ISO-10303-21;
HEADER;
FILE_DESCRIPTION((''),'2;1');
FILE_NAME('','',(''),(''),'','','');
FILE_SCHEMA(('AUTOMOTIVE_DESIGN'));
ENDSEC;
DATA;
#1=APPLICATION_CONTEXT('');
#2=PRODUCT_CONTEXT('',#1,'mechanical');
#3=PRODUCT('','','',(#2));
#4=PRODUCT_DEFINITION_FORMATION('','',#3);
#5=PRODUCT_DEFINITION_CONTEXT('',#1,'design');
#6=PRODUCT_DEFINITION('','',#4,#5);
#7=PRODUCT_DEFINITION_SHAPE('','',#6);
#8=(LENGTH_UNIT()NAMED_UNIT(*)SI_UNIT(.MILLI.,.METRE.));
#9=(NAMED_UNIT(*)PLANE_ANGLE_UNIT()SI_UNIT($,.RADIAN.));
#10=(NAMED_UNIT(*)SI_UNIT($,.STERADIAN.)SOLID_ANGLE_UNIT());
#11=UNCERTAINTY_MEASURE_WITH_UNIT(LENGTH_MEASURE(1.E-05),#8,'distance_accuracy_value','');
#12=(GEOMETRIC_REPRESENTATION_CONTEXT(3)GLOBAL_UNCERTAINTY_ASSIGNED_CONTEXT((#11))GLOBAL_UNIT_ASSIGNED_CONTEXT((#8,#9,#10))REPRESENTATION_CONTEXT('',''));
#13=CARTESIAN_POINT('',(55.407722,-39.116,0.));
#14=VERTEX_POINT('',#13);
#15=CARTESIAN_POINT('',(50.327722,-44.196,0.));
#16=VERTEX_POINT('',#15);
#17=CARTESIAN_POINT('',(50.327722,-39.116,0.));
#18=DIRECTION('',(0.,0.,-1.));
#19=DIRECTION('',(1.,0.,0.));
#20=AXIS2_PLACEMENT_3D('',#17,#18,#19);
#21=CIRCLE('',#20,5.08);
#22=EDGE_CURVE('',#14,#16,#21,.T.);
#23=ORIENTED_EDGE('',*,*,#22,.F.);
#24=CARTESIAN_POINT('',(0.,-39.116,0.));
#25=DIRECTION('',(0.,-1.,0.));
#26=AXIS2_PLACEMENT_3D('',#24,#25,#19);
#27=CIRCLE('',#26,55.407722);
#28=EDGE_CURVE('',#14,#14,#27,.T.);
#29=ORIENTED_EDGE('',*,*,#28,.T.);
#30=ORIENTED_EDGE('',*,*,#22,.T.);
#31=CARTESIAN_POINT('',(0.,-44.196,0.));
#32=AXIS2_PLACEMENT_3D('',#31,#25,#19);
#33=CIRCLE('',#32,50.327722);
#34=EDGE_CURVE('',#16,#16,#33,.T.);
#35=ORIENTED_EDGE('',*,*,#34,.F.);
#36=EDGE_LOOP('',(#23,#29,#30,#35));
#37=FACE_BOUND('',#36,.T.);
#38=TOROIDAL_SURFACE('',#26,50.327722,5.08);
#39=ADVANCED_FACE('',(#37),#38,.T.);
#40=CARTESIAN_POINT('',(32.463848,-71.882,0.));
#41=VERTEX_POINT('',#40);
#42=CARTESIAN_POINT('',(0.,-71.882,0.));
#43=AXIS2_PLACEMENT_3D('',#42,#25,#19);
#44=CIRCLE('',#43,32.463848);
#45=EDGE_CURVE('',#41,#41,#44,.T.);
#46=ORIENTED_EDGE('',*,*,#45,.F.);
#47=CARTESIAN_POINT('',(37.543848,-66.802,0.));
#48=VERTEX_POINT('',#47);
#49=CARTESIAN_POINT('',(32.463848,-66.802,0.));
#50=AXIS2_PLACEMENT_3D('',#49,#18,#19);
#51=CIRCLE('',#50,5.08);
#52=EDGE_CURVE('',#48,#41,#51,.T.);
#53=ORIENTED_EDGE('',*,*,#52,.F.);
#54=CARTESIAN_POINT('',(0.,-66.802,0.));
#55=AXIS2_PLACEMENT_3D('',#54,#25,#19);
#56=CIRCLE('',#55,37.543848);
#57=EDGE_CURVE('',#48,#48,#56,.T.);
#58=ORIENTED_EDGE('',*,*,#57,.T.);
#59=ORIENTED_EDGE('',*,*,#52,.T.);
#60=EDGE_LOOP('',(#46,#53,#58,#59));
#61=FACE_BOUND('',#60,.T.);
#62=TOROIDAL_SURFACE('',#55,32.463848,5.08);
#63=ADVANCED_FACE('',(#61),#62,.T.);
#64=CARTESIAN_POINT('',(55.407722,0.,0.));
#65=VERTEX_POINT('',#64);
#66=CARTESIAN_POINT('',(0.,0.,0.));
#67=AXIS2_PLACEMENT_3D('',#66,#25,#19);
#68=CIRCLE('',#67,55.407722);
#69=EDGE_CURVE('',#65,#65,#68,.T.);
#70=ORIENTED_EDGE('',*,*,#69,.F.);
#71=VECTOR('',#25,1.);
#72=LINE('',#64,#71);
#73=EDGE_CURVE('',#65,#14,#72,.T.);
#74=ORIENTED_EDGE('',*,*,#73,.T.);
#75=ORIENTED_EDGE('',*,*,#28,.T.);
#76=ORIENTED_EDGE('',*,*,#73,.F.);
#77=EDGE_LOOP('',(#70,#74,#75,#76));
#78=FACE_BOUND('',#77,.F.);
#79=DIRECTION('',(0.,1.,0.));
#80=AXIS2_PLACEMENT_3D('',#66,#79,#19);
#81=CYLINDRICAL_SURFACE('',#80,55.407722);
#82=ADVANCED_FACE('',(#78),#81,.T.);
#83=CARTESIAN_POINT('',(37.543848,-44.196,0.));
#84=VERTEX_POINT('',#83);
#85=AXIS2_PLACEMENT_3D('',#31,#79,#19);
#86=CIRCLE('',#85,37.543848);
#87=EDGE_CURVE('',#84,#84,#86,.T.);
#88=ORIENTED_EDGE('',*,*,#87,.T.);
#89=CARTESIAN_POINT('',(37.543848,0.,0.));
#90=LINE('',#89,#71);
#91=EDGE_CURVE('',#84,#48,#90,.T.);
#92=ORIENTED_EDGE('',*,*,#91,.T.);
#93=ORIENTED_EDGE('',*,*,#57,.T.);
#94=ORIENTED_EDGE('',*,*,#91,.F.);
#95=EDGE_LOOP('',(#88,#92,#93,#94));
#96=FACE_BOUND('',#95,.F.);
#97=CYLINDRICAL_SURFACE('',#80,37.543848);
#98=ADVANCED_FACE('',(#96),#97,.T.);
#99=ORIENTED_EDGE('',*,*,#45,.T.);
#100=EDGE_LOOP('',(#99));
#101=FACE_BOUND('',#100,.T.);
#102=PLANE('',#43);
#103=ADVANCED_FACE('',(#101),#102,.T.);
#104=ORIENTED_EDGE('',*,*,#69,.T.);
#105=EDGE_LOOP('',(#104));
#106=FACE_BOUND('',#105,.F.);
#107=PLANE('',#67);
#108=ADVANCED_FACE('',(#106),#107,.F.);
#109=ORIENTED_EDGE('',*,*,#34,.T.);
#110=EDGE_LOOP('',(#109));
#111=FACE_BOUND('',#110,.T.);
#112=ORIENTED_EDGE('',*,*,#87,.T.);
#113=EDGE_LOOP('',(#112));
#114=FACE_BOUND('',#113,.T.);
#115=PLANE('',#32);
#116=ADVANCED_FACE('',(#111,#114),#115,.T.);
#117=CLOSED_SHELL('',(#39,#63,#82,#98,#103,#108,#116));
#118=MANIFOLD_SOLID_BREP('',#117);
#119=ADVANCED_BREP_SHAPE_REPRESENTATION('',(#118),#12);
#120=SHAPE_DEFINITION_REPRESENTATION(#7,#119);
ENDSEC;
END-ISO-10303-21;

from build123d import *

# Parameters (mm, degrees)
F0_R     = 55.407722
F1_DEPTH = 44.196
F2_R     = 37.543848
F3_DEPTH = 71.882
F4_R     = 5.08


with BuildPart() as f1:
    # F0 (on Front) → F1 (new body)
    with BuildSketch(Plane.XZ):
        Circle(F0_R)
    extrude(amount=F1_DEPTH)

    # F2 (on Front) → F3 (join)
    with BuildSketch(Plane.XZ):
        Circle(F2_R)
    extrude(amount=F3_DEPTH)

    # F4
    f4_edges = [f1.edges().sort_by_distance(p)[0] for p in [
        (-37.543848, -71.882, 0),
        (-55.407722, -44.196, 0),
    ]]
    fillet(f4_edges, radius=F4_R)


solid = f1.part
